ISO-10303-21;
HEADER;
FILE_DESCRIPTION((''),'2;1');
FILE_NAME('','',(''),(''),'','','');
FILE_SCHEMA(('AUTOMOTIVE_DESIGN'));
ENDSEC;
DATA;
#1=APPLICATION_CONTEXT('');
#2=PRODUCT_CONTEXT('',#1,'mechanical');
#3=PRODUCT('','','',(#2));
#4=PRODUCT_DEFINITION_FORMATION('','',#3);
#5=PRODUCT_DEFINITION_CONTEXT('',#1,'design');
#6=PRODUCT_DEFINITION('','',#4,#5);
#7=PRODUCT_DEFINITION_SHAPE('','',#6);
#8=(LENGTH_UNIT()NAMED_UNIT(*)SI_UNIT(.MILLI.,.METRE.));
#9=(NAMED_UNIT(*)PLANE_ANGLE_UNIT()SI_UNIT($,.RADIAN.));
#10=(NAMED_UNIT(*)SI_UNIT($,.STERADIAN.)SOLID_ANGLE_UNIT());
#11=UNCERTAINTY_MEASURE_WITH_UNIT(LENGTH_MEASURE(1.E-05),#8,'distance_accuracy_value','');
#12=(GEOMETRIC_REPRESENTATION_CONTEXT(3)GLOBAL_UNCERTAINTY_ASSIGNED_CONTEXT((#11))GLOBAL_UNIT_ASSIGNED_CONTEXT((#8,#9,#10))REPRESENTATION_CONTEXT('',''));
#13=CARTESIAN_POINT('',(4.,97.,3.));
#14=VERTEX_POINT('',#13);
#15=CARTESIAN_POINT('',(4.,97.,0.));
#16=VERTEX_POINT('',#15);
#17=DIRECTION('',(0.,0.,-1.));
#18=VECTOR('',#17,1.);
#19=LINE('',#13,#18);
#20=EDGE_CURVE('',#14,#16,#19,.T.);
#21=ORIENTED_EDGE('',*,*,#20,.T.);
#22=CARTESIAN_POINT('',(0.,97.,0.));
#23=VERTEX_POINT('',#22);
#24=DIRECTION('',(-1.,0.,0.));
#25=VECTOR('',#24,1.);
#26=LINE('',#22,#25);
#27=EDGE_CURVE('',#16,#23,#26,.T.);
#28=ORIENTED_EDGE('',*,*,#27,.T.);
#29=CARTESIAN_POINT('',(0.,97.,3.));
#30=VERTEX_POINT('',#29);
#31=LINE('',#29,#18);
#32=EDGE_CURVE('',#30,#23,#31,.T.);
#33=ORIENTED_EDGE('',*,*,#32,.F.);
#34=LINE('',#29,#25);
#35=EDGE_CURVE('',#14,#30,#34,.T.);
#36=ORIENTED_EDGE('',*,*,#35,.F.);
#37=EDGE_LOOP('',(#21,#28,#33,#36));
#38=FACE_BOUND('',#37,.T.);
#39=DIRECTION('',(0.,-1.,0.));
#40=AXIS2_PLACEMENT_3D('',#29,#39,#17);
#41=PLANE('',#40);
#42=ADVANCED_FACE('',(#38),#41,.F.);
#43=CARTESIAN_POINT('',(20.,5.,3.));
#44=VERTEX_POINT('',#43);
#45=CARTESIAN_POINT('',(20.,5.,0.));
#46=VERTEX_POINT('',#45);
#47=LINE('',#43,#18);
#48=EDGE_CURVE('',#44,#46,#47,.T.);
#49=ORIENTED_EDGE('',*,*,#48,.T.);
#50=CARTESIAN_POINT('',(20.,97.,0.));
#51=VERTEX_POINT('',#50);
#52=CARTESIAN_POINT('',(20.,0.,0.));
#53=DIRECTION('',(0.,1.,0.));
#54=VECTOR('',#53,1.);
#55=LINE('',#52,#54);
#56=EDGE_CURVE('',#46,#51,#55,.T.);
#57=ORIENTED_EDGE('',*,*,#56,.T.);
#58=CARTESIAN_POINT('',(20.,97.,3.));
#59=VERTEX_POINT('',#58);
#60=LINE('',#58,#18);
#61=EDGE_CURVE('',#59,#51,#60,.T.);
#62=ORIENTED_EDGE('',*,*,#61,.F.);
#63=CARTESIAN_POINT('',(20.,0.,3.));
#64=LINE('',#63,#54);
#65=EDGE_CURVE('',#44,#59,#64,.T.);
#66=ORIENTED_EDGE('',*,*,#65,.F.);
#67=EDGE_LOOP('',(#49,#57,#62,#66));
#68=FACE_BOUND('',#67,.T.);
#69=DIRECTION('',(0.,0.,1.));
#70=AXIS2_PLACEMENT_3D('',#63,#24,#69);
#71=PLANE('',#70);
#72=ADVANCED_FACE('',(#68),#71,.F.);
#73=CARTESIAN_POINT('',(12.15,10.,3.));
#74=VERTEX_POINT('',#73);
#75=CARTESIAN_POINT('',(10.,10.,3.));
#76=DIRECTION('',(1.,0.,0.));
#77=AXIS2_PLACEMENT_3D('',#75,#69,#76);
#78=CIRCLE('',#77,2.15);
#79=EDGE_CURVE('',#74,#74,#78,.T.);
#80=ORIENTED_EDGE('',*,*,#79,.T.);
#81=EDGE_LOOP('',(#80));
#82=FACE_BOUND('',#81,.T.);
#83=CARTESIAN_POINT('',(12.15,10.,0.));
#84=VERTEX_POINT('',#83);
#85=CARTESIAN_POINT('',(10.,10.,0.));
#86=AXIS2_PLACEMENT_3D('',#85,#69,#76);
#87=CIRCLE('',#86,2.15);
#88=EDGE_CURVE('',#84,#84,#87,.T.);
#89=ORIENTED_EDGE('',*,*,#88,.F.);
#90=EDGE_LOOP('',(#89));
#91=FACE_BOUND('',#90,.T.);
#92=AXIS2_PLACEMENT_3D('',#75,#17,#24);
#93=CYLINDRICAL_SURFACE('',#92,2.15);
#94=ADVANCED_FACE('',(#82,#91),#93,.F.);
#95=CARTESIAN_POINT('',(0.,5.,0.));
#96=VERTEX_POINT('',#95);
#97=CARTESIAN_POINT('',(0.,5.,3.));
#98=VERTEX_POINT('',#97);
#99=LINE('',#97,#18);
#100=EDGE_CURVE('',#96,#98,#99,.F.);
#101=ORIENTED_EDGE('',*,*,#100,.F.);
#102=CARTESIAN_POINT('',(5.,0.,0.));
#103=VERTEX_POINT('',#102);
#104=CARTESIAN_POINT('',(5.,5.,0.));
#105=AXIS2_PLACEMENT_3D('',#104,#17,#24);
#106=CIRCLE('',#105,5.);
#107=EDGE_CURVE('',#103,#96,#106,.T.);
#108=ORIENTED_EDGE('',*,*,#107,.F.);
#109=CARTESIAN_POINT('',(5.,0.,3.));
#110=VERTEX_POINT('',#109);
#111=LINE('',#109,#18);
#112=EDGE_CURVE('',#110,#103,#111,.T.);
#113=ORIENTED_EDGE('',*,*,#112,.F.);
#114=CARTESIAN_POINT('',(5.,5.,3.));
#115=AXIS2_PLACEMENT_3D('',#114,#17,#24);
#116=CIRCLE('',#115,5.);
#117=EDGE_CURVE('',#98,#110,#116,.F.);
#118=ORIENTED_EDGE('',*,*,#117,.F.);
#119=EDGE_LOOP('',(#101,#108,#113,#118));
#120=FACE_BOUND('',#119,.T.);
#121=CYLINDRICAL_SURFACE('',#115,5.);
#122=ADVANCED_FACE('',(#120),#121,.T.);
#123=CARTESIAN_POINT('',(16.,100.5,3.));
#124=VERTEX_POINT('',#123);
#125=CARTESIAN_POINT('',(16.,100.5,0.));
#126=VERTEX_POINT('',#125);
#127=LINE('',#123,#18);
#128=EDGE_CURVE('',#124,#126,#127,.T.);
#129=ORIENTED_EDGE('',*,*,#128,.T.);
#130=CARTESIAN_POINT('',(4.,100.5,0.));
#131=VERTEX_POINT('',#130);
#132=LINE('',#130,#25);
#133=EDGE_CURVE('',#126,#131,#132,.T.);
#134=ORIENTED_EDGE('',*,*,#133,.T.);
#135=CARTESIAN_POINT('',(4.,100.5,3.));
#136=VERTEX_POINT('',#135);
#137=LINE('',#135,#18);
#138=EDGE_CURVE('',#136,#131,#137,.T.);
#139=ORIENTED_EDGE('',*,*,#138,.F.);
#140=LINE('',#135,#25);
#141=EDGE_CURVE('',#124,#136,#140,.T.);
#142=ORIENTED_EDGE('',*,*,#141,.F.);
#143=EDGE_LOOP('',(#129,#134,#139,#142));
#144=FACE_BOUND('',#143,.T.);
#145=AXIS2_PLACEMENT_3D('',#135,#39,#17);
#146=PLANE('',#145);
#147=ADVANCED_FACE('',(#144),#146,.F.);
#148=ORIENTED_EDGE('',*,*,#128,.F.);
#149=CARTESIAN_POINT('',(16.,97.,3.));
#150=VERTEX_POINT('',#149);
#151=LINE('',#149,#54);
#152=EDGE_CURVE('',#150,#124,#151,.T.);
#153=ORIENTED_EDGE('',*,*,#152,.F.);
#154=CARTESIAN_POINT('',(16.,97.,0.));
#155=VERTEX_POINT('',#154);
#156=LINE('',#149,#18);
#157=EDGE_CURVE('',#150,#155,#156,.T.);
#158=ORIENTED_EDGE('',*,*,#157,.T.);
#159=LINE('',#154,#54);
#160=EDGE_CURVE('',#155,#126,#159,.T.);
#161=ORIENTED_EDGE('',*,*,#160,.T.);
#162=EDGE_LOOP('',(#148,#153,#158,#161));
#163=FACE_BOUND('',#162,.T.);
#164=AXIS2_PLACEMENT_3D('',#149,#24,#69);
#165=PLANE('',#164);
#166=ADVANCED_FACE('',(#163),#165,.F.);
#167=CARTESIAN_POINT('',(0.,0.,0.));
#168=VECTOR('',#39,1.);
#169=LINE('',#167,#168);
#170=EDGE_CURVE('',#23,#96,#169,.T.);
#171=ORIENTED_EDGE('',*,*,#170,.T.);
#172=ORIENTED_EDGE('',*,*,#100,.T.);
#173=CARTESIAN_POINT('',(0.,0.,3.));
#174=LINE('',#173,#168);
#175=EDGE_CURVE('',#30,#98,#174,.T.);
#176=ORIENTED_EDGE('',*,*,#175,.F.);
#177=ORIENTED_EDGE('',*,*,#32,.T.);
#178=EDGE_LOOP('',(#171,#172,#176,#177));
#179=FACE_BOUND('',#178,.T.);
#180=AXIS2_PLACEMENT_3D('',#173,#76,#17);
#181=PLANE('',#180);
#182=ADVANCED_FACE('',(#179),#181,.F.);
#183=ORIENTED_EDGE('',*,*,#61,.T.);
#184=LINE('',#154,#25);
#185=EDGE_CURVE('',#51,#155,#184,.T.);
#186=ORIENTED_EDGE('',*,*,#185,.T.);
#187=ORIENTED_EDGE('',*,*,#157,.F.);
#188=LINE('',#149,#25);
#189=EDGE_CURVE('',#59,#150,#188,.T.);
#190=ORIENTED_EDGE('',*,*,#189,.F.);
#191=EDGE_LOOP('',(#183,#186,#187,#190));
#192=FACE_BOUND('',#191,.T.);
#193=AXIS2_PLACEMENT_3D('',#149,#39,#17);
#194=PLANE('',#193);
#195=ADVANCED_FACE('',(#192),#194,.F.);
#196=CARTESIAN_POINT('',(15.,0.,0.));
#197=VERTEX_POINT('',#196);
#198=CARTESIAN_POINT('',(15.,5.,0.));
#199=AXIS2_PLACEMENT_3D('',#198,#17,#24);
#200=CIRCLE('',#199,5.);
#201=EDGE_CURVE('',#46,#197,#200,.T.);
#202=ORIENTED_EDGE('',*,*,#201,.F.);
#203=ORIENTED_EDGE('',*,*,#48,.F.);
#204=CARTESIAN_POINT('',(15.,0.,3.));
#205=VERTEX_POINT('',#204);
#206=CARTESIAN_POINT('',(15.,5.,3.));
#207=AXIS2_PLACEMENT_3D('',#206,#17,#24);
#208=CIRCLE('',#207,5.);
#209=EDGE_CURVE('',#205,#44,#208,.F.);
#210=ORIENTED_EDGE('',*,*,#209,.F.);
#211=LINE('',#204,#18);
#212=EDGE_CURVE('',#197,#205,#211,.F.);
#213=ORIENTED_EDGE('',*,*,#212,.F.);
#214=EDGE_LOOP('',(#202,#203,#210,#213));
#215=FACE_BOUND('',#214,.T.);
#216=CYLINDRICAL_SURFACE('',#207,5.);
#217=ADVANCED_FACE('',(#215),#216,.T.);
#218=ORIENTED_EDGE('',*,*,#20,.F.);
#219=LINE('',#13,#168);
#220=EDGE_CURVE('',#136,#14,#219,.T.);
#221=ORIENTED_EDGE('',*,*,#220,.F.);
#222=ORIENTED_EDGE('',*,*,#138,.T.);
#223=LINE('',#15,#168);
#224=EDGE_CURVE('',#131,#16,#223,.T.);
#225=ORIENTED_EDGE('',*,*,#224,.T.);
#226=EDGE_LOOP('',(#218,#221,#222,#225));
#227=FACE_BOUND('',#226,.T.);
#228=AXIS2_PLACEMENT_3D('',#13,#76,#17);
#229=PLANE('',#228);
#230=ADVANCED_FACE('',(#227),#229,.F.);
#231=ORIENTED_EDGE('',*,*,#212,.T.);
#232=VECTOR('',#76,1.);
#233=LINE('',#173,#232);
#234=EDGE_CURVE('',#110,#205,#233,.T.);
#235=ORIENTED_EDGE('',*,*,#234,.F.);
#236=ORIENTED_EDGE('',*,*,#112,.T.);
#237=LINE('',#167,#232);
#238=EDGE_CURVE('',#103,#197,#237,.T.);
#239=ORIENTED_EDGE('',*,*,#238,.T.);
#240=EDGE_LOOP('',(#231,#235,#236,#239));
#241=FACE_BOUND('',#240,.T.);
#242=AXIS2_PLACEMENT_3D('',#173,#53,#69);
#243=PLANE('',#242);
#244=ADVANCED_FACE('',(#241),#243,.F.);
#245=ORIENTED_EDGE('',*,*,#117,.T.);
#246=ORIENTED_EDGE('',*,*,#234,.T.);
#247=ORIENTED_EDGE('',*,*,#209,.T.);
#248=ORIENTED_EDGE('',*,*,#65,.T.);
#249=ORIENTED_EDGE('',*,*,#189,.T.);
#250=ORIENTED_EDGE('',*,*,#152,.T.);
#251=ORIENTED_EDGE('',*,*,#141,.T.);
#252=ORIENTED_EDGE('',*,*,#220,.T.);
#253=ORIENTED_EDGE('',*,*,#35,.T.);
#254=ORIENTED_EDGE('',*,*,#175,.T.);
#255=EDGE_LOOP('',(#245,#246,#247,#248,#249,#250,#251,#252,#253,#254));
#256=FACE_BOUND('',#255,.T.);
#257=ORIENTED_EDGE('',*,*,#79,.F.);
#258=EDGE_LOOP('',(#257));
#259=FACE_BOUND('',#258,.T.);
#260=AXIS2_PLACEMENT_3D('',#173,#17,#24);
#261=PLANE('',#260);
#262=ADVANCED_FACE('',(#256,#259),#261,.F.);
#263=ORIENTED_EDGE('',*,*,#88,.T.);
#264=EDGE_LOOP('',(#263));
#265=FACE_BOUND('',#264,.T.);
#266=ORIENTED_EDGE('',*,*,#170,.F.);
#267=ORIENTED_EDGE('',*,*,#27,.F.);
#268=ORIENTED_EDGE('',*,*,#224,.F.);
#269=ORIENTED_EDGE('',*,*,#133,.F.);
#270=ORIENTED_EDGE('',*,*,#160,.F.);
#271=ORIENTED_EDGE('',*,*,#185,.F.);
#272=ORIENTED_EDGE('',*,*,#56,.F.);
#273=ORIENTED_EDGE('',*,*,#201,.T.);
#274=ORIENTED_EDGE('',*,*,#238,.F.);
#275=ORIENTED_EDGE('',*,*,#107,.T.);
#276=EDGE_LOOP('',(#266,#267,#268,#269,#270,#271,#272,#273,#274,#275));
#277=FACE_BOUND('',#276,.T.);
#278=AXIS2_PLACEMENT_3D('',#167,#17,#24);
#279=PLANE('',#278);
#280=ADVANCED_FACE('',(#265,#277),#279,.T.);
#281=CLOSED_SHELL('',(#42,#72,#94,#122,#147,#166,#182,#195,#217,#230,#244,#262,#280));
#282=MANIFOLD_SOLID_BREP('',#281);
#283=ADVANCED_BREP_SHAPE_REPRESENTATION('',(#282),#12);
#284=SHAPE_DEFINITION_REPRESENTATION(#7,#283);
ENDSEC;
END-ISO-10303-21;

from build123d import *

# Parameters (mm, degrees)
SKETCH_1_R      = 2.15
EXTRUDE_1_DEPTH = 3
FILLET_1_R      = 5


with BuildPart() as part:
    # 草图1 → 凸台-拉伸1 (new body)
    with BuildSketch(Plane.XY):
        Polygon((16, 97), (20, 97), (20, 0), (0, 0), (0, 97), (4, 97), (4, 100.5), (16, 100.5), align=None)
        with Locations((10, 10)):
            Circle(SKETCH_1_R, mode=Mode.SUBTRACT)
    extrude(amount=EXTRUDE_1_DEPTH)

    # 圆角1
    fillet_1_edges = [part.edges().sort_by_distance(p)[0] for p in [
        (20, 0, 1.5),
        (0, 0, 1.5),
    ]]
    fillet(fillet_1_edges, radius=FILLET_1_R)


solid = part.part
